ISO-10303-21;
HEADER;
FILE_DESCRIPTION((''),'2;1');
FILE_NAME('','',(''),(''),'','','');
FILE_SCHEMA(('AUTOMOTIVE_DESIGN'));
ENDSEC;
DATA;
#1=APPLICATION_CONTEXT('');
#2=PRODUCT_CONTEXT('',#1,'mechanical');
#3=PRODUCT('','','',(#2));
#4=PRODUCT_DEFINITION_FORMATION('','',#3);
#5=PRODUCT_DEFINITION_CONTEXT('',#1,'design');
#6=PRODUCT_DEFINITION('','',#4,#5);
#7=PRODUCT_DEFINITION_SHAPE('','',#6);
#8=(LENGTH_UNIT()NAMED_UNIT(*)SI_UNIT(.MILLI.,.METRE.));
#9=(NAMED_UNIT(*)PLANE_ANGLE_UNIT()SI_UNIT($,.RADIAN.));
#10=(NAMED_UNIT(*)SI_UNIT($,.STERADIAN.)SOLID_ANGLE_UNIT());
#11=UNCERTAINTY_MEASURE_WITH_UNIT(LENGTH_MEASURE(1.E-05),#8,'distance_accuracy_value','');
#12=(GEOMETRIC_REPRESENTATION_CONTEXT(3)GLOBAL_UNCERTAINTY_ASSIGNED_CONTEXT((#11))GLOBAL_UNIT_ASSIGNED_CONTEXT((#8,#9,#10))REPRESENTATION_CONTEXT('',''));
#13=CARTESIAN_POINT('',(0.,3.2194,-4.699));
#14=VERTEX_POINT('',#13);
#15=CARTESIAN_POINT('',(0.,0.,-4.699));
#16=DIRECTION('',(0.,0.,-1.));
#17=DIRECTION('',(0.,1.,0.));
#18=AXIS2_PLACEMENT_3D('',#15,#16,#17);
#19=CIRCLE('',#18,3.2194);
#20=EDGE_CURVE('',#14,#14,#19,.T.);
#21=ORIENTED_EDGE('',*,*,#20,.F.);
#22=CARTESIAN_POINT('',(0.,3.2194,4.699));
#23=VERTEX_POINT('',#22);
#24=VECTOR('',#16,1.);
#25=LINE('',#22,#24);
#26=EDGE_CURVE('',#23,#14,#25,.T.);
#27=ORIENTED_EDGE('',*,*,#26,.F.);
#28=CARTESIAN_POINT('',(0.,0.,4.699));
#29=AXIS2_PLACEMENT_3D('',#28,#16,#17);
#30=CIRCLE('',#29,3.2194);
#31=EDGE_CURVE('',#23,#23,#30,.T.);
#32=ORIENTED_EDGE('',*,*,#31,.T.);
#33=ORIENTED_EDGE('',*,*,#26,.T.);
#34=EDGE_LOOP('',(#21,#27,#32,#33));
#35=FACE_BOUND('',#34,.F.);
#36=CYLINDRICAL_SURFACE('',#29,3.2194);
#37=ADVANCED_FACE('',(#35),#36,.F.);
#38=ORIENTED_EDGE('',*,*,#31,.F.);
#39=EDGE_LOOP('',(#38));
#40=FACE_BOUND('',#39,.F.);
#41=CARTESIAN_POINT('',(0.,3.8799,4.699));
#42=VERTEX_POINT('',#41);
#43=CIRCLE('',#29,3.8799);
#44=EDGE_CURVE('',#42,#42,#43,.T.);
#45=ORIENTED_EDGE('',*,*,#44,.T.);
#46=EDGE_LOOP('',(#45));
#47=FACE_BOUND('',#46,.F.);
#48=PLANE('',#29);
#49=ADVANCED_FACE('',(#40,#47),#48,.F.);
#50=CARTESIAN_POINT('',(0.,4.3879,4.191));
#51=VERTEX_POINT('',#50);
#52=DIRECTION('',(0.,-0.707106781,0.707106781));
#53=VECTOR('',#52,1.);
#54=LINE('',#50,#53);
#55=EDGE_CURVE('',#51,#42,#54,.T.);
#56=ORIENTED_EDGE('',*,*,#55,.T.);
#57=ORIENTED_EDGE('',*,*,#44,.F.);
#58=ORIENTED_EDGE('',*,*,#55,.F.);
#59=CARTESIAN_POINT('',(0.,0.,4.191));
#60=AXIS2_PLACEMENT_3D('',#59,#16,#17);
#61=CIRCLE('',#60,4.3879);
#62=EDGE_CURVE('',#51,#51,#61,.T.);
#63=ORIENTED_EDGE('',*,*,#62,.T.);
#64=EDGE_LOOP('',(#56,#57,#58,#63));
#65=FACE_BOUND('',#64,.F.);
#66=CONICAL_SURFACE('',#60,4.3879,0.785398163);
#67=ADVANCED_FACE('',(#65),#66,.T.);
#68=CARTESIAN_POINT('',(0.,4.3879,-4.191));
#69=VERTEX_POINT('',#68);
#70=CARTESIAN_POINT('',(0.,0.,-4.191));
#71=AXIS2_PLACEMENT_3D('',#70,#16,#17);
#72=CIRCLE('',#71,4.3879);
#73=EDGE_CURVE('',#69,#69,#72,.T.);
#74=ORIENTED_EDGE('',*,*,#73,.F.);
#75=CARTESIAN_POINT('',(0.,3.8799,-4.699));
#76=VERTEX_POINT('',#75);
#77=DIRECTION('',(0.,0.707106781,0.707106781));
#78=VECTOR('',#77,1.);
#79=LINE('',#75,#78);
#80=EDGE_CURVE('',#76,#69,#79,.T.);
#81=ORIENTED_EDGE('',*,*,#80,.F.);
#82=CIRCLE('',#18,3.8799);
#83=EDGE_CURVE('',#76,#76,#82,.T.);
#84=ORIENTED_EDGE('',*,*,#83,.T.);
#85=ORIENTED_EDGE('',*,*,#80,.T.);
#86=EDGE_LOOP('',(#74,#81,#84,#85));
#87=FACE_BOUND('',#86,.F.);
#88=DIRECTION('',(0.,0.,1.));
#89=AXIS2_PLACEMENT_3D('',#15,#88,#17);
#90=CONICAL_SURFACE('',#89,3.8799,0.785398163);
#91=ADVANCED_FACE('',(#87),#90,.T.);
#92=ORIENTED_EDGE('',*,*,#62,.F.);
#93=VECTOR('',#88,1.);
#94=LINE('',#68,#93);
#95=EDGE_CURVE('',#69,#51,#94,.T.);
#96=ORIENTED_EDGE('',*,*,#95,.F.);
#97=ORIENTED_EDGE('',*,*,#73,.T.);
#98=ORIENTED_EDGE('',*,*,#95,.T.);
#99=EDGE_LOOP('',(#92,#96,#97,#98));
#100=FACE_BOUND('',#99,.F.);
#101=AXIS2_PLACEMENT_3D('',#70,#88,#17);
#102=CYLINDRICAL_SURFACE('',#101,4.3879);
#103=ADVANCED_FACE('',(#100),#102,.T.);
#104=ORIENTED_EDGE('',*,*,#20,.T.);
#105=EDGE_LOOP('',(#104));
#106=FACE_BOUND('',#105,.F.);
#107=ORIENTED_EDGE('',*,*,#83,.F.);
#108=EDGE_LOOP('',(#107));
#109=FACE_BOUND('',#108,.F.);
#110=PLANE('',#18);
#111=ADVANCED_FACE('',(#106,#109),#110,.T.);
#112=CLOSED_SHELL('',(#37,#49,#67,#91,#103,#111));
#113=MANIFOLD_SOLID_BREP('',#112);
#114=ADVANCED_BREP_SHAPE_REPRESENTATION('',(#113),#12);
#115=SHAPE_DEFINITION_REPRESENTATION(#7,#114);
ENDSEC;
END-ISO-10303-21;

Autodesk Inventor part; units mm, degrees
sketch "Sketch_1" plane through (0, 0, 0) normal (1, 0, 0) x (0, 1, 0)
  line L0 (0, -4.699) -> (0, 4.699)
  line L1 (3.2194, 4.699) -> (3.2194, -4.699)
  line L2 (3.2194, -4.699) -> (3.8799, -4.699)
  line L3 (3.8799, -4.699) -> (4.3879, -4.191)
  line L4 (4.3879, -4.191) -> (4.3879, 4.191)
  line L5 (4.3879, 4.191) -> (3.8799, 4.699)
  line L6 (3.8799, 4.699) -> (3.2194, 4.699)
revolve "Revolution1" add sketch "Sketch_1" angle 360 about axis through (0, 0, -4.699) along (0, 0, -1)
ref_plane "bushing_XY" through (0, 0, 0) normal (0, 0, 1) x (1, 0, 0)
ref_plane "bushing_YZ" through (0, 0, 0) normal (1, 0, 0) x (0, 1, 0)
ref_plane "bushing_ZX" through (0, 0, 0) normal (0, 1, 0) x (0, 0, 1)
ref_plane "id1_XY" through (-3.2194, 0, 0) normal (0, 0, 1) x (1, 0, 0)
ref_plane "id1_YZ" through (-3.2194, 0, 0) normal (1, 0, 0) x (0, 1, 0)
ref_plane "id1_ZX" through (-3.2194, 0, 0) normal (0, 1, 0) x (0, 0, 1)
ref_plane "id2_XY" through (3.2194, 0, 0) normal (0, 0, 1) x (1, 0, 0)
ref_plane "id2_YZ" through (3.2194, 0, 0) normal (1, 0, 0) x (0, 1, 0)
ref_plane "id2_ZX" through (3.2194, 0, 0) normal (0, 1, 0) x (0, 0, 1)
ref_plane "id3_XY" through (0, 0, -4.699) normal (0, 0, -1) x (0, 1, 0)
ref_plane "id3_YZ" through (0, 0, -4.699) normal (0, 1, 0) x (1, 0, 0)
ref_plane "id3_ZX" through (0, 0, -4.699) normal (1, 0, 0) x (0, 0, -1)
ref_plane "id4_XY" through (0, 0, 4.699) normal (0, 0, 1) x (0, 1, 0)
ref_plane "id4_YZ" through (0, 0, 4.699) normal (0, 1, 0) x (-1, 0, 0)
ref_plane "id4_ZX" through (0, 0, 4.699) normal (-1, 0, 0) x (0, 0, 1)
properties part number "D-3543"
